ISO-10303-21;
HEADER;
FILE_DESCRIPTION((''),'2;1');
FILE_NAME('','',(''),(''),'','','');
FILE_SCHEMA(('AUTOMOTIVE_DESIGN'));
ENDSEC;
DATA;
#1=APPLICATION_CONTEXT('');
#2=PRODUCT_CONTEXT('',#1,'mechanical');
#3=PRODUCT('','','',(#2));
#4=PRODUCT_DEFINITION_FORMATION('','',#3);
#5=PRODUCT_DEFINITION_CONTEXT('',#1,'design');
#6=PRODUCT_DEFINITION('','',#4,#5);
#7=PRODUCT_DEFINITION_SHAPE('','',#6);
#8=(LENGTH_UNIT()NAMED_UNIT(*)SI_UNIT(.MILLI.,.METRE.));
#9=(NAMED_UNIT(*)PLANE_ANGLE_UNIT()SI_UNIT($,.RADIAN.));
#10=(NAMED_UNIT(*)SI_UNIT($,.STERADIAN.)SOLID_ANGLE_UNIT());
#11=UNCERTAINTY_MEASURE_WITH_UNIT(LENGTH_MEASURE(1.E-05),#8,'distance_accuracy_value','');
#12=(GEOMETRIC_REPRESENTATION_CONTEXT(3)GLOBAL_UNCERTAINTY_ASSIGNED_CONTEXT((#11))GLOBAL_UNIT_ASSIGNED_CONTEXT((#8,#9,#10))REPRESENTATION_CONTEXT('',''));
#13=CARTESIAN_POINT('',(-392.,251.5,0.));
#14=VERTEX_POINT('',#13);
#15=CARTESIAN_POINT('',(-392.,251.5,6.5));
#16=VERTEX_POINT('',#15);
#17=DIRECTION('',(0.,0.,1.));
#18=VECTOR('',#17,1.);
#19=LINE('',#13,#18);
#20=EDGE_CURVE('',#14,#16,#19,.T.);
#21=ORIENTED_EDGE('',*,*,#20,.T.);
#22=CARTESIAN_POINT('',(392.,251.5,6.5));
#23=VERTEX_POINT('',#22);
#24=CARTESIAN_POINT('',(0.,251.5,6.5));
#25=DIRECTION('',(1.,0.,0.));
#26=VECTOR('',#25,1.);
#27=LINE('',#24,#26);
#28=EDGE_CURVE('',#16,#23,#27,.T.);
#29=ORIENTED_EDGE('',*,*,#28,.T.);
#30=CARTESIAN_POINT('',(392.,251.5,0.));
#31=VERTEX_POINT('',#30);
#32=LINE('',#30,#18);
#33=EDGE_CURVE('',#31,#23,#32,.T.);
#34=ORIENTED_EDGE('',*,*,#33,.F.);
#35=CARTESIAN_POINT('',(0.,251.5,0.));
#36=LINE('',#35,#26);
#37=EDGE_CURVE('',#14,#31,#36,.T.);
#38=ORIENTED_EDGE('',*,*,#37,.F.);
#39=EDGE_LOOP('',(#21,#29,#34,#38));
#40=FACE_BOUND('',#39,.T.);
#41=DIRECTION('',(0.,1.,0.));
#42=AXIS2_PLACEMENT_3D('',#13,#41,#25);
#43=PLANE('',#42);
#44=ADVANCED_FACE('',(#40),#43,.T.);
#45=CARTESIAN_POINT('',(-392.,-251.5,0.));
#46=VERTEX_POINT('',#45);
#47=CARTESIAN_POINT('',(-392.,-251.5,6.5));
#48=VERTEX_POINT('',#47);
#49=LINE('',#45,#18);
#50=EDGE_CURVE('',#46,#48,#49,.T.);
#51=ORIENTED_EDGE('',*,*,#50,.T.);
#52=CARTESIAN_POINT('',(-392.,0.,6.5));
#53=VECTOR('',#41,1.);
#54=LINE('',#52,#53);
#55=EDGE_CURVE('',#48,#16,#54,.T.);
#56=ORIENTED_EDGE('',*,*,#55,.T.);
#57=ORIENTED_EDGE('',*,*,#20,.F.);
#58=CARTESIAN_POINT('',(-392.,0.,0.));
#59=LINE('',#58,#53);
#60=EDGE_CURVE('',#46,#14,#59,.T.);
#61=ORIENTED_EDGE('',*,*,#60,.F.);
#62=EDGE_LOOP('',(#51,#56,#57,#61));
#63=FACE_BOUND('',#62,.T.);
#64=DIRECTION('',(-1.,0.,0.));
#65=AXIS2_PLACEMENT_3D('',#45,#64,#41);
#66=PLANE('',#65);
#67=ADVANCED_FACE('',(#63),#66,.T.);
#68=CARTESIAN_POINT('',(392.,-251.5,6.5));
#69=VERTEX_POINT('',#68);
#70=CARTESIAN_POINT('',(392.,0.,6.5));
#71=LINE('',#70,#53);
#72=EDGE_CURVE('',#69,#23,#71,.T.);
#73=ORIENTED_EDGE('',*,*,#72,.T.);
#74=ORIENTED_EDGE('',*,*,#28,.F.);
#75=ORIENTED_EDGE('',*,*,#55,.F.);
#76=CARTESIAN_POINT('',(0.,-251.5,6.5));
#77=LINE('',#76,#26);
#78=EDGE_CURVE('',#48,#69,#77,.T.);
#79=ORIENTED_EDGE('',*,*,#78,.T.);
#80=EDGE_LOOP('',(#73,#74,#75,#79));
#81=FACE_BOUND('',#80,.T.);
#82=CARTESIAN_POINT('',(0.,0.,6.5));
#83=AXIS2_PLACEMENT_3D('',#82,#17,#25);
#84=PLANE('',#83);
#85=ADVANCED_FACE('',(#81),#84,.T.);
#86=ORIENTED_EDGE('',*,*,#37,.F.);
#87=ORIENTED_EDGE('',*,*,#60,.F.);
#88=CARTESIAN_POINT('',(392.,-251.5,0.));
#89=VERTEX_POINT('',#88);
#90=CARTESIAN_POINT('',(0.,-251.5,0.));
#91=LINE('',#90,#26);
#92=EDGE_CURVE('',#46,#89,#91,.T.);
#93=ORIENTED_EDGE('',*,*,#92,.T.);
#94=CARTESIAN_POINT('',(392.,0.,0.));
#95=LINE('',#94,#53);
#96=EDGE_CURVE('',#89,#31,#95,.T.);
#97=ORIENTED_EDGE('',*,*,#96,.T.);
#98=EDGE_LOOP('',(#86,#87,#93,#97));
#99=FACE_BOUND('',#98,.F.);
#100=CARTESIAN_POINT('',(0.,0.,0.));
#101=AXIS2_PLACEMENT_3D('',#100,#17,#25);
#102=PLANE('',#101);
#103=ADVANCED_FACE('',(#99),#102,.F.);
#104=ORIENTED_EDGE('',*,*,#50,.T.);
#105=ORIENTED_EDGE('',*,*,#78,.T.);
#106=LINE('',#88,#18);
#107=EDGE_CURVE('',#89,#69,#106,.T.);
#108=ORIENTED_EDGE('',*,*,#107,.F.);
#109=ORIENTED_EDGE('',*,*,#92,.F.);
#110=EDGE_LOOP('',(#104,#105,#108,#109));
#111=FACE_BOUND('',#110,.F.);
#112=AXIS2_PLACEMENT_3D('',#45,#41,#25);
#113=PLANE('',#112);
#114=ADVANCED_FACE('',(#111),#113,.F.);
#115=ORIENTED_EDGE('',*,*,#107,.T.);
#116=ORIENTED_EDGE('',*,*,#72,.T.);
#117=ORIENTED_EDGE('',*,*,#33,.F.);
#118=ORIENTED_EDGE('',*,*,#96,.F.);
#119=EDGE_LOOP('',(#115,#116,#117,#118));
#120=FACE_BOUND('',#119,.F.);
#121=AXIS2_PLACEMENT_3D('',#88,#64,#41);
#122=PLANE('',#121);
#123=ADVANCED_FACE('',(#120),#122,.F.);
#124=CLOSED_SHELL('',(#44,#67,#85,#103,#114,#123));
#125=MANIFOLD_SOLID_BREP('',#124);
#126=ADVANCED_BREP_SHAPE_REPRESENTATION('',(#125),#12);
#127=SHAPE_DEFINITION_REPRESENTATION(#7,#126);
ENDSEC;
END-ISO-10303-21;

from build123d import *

# Parameters (mm, degrees)
SKETCH_W  = 784
SKETCH_H  = 503
PAD_DEPTH = 6.5


with BuildPart() as part:
    # Sketch → Pad (new body)
    with BuildSketch(Plane.XY):
        Rectangle(SKETCH_W, SKETCH_H)
    extrude(amount=PAD_DEPTH)


solid = part.part
